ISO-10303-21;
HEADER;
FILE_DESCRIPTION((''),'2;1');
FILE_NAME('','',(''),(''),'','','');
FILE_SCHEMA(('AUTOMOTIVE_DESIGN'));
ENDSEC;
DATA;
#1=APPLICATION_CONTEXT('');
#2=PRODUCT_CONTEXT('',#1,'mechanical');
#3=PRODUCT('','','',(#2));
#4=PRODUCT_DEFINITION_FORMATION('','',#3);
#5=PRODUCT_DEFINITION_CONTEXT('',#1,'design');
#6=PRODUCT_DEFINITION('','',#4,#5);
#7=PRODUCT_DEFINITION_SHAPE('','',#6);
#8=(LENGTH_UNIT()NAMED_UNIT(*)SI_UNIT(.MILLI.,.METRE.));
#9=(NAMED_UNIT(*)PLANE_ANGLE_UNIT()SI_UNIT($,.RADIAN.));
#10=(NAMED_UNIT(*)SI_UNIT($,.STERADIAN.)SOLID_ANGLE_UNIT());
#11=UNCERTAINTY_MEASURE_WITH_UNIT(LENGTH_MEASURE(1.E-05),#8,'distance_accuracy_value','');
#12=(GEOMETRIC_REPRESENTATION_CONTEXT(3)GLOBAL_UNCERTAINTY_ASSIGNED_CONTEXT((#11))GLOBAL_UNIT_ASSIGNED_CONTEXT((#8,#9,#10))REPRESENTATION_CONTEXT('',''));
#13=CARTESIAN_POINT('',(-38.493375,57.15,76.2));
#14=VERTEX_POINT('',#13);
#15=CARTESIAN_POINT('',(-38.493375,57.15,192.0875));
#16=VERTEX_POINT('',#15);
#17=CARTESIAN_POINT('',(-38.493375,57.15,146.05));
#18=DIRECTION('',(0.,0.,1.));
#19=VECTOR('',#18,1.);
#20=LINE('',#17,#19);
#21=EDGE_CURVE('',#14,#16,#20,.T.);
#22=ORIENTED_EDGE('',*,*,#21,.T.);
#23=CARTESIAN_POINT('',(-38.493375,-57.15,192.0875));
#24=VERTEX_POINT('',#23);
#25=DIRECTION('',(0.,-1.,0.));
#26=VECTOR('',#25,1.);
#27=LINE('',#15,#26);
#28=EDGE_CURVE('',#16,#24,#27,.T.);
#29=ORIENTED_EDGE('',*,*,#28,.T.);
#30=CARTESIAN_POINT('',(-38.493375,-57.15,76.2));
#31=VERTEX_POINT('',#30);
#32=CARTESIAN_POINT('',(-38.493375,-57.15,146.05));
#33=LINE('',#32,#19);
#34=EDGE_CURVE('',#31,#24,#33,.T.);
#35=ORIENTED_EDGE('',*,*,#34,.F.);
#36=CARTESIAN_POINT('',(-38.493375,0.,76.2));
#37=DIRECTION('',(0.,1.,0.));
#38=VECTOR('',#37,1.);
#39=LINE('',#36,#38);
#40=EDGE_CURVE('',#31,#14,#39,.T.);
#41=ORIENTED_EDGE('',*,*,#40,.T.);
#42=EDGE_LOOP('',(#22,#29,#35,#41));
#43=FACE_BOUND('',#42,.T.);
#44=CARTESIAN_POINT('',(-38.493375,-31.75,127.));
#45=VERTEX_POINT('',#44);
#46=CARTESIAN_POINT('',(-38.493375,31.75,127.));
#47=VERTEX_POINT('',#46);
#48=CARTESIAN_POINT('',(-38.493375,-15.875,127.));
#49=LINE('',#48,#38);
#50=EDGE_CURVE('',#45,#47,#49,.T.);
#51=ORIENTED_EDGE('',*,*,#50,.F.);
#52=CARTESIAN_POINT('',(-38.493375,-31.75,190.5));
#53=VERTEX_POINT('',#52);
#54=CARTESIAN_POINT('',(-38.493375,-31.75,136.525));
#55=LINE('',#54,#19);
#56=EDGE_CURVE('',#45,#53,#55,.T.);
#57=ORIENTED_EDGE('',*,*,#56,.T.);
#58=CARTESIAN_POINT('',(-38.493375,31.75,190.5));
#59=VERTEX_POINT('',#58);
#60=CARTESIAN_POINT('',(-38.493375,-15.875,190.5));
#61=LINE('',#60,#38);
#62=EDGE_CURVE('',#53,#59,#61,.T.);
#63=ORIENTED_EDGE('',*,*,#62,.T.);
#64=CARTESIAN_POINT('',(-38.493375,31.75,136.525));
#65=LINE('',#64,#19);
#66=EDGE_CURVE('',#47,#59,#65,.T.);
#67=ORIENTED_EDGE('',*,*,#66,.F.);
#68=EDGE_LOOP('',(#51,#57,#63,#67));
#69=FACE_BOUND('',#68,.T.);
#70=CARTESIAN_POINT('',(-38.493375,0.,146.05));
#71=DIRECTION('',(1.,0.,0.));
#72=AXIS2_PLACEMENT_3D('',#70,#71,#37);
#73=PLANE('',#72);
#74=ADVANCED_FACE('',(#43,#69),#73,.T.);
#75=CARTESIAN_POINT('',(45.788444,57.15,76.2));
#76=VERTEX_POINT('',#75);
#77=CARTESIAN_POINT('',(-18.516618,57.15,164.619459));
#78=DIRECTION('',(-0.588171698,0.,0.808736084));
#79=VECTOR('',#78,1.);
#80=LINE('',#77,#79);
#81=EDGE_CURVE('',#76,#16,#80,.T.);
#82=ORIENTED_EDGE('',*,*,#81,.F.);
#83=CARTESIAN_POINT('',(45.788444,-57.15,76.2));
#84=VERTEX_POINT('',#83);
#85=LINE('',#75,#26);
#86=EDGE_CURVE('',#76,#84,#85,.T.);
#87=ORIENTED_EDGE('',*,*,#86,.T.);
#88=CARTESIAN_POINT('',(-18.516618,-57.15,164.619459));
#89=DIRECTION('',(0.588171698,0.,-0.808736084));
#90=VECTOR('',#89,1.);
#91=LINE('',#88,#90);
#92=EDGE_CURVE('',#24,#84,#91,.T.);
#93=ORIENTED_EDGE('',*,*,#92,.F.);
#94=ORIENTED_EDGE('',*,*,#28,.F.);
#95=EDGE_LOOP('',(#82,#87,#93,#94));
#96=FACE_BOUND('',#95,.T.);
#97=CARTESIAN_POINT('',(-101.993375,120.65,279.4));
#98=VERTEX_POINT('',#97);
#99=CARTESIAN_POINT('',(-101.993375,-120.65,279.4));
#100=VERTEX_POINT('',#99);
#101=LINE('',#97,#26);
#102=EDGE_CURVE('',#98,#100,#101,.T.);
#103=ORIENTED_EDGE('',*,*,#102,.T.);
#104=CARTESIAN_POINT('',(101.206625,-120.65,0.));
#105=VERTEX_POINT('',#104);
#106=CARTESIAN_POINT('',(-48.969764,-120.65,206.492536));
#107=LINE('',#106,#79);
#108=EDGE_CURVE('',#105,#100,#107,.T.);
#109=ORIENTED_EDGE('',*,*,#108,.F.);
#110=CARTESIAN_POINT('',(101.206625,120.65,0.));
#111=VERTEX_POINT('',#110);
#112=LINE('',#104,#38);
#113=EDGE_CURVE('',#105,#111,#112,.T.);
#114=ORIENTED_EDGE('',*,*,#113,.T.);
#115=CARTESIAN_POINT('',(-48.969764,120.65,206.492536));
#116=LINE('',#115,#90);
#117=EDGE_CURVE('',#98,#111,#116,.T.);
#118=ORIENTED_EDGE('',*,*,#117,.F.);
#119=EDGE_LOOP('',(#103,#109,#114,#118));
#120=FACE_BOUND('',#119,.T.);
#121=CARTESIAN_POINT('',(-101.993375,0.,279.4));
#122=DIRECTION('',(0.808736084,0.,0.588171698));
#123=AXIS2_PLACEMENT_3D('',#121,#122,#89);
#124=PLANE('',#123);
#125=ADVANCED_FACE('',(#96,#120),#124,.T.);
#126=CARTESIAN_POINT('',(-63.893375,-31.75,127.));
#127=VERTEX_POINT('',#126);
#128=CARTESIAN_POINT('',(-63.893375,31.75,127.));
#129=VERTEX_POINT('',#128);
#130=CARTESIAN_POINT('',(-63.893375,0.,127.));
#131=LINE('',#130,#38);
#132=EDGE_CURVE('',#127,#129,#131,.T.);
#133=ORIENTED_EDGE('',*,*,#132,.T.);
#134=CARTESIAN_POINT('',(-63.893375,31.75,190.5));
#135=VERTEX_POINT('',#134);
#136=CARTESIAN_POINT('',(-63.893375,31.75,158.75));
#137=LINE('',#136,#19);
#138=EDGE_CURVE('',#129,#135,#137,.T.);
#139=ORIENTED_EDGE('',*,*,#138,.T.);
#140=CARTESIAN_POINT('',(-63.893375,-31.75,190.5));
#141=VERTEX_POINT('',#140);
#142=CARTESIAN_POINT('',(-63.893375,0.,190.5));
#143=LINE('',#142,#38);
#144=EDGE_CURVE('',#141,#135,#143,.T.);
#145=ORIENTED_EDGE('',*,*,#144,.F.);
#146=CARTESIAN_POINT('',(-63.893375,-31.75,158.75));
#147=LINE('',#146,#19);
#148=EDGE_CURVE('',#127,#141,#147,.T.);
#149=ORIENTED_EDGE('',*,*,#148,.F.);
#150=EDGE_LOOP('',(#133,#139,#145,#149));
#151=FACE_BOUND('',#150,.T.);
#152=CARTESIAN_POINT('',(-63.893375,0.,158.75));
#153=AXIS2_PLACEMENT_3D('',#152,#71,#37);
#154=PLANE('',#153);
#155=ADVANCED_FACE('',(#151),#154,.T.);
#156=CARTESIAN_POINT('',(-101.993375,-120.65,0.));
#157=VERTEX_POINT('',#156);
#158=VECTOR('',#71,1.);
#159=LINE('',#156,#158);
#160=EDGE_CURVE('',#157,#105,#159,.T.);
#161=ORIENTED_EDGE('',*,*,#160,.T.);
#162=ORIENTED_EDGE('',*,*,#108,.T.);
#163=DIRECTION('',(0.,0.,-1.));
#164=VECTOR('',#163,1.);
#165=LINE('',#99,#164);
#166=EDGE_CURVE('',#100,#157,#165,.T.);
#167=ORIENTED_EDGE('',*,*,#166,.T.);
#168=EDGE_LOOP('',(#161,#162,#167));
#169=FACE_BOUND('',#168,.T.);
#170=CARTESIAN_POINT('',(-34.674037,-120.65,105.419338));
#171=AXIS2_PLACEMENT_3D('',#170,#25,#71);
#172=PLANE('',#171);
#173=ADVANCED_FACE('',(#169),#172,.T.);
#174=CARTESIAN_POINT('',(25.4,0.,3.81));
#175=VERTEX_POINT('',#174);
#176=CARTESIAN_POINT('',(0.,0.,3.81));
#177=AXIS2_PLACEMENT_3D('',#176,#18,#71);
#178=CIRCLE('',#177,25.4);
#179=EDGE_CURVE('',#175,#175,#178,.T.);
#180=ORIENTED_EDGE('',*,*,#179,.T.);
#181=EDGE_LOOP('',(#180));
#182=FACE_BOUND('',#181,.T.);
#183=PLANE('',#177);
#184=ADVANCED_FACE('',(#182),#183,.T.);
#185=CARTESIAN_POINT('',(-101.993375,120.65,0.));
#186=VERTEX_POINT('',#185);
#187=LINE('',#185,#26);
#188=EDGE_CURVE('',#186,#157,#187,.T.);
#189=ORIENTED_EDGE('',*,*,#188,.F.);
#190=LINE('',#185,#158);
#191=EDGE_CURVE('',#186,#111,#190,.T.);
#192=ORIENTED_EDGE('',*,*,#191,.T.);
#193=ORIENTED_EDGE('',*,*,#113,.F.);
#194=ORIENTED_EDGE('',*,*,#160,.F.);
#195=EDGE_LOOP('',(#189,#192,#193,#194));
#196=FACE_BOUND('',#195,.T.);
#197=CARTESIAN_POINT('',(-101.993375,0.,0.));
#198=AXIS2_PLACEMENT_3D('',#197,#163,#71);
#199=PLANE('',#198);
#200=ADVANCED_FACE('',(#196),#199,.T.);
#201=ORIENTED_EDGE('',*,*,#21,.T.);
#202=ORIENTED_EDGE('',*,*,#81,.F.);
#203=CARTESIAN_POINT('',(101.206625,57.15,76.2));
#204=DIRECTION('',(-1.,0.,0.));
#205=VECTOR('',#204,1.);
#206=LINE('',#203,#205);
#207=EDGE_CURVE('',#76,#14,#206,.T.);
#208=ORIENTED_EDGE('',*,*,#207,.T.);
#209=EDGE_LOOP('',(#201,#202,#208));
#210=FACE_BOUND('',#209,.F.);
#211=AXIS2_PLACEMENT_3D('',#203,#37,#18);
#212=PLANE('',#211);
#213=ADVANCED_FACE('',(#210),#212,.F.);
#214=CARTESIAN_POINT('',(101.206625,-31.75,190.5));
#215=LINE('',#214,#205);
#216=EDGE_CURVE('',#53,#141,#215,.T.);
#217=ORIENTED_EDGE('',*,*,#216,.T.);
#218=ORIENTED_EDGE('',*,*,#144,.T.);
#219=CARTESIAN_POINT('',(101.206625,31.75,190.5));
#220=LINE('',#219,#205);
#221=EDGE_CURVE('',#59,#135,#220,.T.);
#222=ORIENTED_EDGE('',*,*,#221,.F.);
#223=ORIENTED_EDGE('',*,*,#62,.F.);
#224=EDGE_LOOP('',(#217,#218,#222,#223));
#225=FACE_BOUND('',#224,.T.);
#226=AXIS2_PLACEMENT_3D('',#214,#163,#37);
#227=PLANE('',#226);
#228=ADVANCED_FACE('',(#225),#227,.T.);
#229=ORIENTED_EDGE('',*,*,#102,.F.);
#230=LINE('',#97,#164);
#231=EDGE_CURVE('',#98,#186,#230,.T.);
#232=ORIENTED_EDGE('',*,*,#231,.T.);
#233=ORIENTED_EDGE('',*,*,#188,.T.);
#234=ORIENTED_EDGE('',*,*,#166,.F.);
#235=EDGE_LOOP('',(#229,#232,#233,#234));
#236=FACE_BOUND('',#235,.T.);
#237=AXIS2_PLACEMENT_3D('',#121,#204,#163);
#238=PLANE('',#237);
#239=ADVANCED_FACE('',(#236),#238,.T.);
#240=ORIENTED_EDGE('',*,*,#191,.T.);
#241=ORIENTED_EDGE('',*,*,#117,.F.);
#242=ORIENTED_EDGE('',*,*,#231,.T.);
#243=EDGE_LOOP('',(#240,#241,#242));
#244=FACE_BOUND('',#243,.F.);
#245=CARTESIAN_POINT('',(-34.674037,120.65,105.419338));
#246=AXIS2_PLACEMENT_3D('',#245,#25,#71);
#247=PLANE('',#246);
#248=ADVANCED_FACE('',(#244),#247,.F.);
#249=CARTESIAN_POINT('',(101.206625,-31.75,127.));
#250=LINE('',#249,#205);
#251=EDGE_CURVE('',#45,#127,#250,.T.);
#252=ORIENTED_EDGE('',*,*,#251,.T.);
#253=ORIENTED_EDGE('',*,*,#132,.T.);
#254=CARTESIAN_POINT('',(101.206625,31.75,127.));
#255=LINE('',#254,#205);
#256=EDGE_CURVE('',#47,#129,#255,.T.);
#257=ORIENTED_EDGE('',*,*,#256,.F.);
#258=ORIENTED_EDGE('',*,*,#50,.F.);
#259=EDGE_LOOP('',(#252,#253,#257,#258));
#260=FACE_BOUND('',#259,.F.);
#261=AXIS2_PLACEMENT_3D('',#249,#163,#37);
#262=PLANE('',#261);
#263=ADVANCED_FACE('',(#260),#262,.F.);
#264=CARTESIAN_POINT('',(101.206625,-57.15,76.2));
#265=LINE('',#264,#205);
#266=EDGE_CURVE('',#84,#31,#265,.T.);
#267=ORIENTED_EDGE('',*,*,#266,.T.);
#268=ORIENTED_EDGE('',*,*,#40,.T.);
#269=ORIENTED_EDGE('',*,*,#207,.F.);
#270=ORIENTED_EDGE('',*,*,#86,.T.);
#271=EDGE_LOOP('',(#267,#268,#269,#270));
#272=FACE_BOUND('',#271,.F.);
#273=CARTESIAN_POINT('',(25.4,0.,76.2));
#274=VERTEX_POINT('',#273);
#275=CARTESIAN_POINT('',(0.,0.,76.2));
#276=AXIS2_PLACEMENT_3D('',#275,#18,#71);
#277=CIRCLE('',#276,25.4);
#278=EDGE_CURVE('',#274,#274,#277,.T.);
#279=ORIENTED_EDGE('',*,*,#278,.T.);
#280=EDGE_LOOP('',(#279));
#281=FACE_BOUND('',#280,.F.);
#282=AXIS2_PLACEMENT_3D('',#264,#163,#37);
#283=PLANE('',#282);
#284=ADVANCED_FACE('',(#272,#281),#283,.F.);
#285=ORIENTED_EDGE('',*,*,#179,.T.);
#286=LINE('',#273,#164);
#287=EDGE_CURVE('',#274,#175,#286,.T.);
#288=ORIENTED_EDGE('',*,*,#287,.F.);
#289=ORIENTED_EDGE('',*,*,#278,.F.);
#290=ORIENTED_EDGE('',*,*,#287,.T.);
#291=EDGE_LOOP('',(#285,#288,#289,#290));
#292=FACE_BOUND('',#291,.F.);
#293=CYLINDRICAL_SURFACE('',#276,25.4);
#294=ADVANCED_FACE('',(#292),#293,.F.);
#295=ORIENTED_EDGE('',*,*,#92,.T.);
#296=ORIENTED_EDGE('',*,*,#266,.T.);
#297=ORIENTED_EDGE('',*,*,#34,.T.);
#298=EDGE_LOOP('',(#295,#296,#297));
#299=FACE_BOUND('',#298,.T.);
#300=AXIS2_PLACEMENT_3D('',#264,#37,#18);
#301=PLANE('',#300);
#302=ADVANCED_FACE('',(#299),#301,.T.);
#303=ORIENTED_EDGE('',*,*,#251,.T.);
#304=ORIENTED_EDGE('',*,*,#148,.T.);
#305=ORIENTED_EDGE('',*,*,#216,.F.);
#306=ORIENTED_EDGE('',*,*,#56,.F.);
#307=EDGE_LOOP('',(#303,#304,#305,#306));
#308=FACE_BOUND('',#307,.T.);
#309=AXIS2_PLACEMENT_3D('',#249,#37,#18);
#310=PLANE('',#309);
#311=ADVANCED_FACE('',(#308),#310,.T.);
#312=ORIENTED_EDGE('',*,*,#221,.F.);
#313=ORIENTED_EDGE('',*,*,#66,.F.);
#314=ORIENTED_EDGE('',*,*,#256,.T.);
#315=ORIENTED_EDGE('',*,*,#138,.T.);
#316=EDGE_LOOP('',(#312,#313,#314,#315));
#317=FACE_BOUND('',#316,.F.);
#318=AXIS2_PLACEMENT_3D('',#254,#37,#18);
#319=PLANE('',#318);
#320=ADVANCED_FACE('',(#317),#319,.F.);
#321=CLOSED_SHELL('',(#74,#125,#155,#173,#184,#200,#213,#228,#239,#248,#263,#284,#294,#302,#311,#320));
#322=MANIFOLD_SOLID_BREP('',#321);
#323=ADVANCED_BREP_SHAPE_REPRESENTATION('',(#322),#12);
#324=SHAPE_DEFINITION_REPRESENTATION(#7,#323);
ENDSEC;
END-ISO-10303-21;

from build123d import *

# Parameters (mm, degrees)
F1_DEPTH      = 120.65
F2_W          = 114.3
F2_H          = 139.7
F2_W_2        = 63.5
F2_H_2        = 63.5
F3_DEPTH      = 139.7
F4_DEPTH      = 165.1
F5_DEPTH      = 271.526
F5_DEPTH_BACK = 305.054
F6_DEPTH      = 87.122
F7_DEPTH      = 165.1
F8_R          = 25.4
F9_DEPTH      = 72.39


with BuildPart() as f1:
    # F0 (on Front) → F1 (new body, symmetric)
    with BuildSketch(Plane.XZ):
        Polygon((-101.9933745265, 279.4), (-101.9933745265, 0), (101.2066254735, 0), align=None)
        Polygon((-101.9933745265, 279.4), (101.2066254735, 0), (101.2066254735, 279.4), align=None)
    extrude(amount=F1_DEPTH, both=True)

    # F2 (on face) → F3 (cut)
    with BuildSketch(Plane.YZ.offset(101.2066254735)):
        with Locations((0, 146.05)):
            Rectangle(F2_W, F2_H)
        with Locations((0, 158.75)):
            Rectangle(F2_W_2, F2_H_2, mode=Mode.SUBTRACT)
        with Locations((0, 158.75)):
            Rectangle(F2_W_2, F2_H_2)
    extrude(amount=-F3_DEPTH, mode=Mode.SUBTRACT)

    # F2 (on face) → F4 (join)
    with BuildSketch(Plane.YZ.offset(101.2066254735)):
        with Locations((0, 158.75)):
            Rectangle(F2_W_2, F2_H_2)
    extrude(amount=-F4_DEPTH)

    # F0 (on Front) → F5 (cut, two sides)
    with BuildSketch(Plane.XZ) as f5_sk:
        Polygon((-101.9933745265, 279.4), (101.2066254735, 0), (101.2066254735, 279.4), align=None)
    extrude(amount=F5_DEPTH, mode=Mode.SUBTRACT)
    extrude(f5_sk.sketch, amount=-F5_DEPTH_BACK, mode=Mode.SUBTRACT)

    # F6 (cut): a face of the model
    f6_faces = [f1.faces().sort_by_distance(p)[0] for p in [
        (-22.7054235885, -31.75, 148.6706349206),
    ]]
    extrude(f6_faces, amount=-F6_DEPTH, mode=Mode.SUBTRACT)

    # F2 (on face) → F7 (cut)
    with BuildSketch(Plane.YZ.offset(101.2066254735)):
        with Locations((0, 158.75)):
            Rectangle(F2_W_2, F2_H_2)
    extrude(amount=-F7_DEPTH, mode=Mode.SUBTRACT)

    # F8 (on face) → F9 (cut)
    with BuildSketch(Plane.XY.offset(76.2)):
        Circle(F8_R)
    extrude(amount=-F9_DEPTH, mode=Mode.SUBTRACT)


solid = f1.part
